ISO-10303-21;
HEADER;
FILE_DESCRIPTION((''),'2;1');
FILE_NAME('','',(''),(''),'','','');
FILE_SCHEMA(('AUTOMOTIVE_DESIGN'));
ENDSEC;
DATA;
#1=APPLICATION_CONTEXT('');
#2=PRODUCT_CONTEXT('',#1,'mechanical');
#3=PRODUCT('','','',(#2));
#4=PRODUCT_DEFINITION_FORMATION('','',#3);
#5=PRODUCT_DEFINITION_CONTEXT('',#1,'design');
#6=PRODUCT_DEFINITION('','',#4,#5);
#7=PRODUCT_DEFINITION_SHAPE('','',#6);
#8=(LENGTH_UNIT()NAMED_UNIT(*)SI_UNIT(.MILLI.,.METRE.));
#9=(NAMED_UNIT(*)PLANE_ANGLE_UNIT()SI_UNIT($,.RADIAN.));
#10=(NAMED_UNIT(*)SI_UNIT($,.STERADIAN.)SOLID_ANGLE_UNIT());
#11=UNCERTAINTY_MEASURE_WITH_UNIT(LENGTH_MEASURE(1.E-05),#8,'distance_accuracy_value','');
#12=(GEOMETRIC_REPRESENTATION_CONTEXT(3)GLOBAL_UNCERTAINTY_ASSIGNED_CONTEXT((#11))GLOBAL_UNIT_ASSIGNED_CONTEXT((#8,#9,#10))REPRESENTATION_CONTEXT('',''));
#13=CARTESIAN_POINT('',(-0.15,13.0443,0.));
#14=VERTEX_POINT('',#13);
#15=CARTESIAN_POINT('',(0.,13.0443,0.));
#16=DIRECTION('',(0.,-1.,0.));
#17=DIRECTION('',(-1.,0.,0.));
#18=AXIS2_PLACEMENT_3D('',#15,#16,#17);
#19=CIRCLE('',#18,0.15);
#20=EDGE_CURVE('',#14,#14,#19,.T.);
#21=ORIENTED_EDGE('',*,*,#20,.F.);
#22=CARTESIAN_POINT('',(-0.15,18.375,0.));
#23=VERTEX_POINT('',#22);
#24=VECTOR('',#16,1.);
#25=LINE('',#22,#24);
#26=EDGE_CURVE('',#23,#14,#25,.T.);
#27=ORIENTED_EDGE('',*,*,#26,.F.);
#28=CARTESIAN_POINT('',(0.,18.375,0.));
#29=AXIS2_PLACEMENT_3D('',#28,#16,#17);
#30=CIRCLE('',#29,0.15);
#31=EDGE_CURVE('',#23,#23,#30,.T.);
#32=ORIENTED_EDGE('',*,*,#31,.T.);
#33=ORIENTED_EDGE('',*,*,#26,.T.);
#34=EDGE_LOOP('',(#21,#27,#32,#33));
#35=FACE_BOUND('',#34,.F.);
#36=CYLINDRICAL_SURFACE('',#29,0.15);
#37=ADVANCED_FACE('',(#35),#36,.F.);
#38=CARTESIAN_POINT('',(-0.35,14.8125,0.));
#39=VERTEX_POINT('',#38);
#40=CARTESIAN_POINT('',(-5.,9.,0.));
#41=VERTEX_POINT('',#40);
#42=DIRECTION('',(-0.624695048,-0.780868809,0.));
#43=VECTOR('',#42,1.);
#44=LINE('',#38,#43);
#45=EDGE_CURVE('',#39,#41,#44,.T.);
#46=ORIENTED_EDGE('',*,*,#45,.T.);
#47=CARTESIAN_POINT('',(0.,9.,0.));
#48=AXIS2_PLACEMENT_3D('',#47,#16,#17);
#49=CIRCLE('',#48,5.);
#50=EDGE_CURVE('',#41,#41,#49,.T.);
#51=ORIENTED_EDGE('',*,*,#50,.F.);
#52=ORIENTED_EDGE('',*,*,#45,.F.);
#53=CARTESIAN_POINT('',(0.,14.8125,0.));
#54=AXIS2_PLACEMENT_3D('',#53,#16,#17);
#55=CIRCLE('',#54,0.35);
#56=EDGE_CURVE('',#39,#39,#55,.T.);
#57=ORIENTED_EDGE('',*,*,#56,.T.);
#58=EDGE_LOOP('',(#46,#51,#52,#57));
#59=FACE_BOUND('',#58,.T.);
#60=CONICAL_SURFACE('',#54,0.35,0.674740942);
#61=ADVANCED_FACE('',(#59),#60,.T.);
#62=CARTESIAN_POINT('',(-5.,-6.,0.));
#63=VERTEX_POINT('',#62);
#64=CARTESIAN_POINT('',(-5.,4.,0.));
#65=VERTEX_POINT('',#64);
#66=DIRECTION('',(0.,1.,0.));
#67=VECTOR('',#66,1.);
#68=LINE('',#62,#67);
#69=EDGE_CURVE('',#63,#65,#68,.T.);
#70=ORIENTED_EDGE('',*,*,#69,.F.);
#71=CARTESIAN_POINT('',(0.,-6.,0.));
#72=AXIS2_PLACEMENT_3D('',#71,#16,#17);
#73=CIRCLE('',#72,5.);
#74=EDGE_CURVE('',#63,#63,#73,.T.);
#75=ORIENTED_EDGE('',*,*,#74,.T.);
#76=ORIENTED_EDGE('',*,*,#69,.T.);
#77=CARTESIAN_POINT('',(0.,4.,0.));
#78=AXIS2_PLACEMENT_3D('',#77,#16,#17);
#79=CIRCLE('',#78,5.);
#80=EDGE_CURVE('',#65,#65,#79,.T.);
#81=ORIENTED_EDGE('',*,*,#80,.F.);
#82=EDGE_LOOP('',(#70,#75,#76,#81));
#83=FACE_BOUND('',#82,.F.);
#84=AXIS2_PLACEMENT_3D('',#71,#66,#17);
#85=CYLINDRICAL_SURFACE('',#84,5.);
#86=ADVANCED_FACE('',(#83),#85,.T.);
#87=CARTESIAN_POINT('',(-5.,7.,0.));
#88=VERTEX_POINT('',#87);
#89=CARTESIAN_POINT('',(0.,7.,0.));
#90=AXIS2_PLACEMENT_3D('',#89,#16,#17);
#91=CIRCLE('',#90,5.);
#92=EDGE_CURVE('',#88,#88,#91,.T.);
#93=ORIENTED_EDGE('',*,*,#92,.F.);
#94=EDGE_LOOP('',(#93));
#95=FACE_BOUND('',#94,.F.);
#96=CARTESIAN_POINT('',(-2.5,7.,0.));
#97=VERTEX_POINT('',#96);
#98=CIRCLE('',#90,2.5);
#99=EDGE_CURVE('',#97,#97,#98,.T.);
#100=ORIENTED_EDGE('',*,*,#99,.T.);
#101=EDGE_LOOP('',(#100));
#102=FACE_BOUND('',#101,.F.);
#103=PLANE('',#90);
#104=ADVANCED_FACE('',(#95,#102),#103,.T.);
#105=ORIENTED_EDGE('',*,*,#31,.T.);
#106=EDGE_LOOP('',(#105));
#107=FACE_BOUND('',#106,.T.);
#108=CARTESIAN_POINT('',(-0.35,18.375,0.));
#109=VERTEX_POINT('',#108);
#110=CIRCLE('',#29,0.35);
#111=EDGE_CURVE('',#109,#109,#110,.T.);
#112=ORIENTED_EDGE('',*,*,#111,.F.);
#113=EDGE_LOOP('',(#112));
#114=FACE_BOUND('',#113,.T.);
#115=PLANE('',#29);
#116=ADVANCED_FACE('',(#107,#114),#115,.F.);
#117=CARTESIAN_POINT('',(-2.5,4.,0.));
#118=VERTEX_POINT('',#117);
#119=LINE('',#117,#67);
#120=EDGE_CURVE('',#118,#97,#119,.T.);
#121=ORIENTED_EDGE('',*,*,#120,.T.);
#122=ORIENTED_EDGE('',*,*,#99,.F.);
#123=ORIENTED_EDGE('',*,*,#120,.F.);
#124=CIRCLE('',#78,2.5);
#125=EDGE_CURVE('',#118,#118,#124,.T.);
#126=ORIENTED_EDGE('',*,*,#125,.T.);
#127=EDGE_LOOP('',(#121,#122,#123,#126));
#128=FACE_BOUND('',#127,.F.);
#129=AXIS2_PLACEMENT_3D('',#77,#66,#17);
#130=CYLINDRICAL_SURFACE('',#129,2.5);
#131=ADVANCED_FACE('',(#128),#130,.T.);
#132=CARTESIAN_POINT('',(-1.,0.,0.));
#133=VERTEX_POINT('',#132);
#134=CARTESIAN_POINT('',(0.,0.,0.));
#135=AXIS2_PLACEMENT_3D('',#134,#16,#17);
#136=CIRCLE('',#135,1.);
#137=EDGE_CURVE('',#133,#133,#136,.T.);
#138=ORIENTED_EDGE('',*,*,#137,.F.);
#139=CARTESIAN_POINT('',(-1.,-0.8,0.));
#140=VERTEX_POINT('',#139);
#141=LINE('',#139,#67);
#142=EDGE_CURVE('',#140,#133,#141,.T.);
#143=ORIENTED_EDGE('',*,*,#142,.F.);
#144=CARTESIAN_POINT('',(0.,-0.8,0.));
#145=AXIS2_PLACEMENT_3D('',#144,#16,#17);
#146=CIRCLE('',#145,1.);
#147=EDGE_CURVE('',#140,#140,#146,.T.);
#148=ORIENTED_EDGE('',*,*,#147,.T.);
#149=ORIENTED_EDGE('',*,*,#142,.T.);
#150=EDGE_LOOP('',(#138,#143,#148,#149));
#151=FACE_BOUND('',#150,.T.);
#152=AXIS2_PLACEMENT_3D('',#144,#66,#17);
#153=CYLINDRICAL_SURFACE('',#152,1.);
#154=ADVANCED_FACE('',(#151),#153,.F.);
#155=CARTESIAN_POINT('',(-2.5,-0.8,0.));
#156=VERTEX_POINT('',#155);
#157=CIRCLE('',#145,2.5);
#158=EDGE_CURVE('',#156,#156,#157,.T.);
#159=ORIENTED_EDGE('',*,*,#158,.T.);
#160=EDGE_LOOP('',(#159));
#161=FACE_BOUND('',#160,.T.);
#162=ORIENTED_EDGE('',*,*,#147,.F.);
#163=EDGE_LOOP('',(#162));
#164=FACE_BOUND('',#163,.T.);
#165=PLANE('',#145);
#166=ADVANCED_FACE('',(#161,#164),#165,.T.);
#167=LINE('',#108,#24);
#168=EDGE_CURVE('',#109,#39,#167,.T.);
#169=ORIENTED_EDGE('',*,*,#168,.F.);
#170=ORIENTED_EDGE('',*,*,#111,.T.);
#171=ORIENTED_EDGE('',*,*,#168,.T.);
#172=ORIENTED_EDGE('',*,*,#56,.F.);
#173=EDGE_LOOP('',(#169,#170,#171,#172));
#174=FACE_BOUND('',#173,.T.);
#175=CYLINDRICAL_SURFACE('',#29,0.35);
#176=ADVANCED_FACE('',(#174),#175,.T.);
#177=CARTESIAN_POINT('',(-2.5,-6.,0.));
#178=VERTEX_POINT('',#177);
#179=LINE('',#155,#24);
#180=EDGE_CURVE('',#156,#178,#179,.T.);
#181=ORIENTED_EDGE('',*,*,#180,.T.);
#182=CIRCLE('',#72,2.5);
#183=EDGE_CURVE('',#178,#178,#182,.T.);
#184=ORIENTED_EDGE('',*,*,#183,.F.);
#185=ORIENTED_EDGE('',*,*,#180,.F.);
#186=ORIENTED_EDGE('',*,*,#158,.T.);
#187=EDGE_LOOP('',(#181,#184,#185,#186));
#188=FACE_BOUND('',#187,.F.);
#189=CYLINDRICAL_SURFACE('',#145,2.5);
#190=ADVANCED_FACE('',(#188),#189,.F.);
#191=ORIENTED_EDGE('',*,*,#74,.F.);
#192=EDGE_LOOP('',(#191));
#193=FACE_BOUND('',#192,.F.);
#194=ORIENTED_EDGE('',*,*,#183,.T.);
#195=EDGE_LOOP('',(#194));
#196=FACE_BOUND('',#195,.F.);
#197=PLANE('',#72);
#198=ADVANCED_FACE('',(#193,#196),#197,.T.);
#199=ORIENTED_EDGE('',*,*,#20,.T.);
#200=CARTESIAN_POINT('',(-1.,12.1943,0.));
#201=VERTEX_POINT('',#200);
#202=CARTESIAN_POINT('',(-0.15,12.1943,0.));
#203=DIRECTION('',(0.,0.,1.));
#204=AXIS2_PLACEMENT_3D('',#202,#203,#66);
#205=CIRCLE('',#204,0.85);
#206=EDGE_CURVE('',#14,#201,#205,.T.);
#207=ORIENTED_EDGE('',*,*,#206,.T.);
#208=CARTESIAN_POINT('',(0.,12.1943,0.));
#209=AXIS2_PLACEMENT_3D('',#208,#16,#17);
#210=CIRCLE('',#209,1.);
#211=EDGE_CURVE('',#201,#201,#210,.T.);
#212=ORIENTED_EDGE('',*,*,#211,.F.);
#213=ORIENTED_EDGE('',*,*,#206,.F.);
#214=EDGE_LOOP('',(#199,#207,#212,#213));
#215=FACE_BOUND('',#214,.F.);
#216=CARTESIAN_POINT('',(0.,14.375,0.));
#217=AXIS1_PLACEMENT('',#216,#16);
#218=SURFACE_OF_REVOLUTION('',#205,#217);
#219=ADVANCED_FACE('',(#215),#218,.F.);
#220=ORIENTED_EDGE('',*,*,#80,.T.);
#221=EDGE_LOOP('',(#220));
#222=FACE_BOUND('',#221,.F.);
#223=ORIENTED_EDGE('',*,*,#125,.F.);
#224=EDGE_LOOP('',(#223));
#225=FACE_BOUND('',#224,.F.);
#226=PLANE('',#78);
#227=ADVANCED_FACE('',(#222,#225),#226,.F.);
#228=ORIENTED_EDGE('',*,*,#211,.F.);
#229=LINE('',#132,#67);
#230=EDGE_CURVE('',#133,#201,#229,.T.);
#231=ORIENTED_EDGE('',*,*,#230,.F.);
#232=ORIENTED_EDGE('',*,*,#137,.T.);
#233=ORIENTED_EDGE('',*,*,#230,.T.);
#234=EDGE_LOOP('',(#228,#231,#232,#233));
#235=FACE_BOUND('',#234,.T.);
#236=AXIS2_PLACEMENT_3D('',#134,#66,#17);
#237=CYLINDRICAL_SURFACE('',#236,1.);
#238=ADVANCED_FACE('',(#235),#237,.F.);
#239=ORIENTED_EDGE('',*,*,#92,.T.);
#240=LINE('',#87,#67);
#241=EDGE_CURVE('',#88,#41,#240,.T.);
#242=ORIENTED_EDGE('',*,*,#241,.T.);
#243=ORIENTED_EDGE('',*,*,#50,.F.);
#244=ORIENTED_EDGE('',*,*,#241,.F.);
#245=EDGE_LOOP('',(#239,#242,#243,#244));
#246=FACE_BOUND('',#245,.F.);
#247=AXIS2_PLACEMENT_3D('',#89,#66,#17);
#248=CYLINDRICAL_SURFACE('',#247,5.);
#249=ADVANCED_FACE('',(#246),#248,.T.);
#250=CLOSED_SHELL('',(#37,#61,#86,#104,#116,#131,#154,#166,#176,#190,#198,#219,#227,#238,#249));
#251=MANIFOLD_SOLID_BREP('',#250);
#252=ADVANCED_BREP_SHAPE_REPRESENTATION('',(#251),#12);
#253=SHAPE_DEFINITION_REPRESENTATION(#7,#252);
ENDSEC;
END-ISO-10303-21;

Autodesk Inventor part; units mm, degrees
ref_plane "YZ Plane" through (0, 0, 0) normal (1, 0, 0) x (0, 1, 0)
ref_plane "XZ Plane" through (0, 0, 0) normal (0, 1, 0) x (-1, 0, 0)
ref_plane "XY Plane" through (0, 0, 0) normal (0, 0, 1) x (1, 0, 0)
sketch "Sketch1" plane through (0, 0, 0) normal (0, 0, 1) x (1, 0, 0)
  line L0 (-2.5, -0.8) -> (-2.5, -6)
  line L1 (-2.5, -6) -> (-5, -6)
  line L2 (-5, -6) -> (-5, 4)
  line L3 (-5, 4) -> (-2.5, 4)
  line L4 (-2.5, 4) -> (-2.5, 7)
  line L5 (-2.5, 7) -> (-5, 7)
  line L6 (-5, 7) -> (-5, 9)
  line L7 (-0.35, 14.8125) -> (-5, 9)
  line L8 (0, 14.375) -> (0, 0)
  line L9 (0, 14.375) -> (0, 18.375)
  line L10 (-0.15, 18.375) -> (-0.35, 18.375)
  line L11 (-0.35, 18.375) -> (-0.35, 14.8125)
  line L12 (-1, 0) -> (-1, 12.1943)
  line L13 (-0.15, 18.375) -> (-0.15, 13.0443)
  arc A0 (-0.15, 13.0443) -> (-1, 12.1943) centre (-0.15, 12.1943) ccw
  line L14 (-2.5, -0.8) -> (-1, -0.8)
  line L15 (-1, -0.8) -> (-1, 0)
  point P0 (-1, 14)
  point P1 (-0.7, 14.375)
  dimension "d2" = 2.5
  dimension "d3" = 10
  dimension "d4" = 2.5
  dimension "d5" = 3
  dimension "d7" = 2
  dimension "d54" = 24.375
  dimension "d55" = 3.5625
  dimension "d56" = 2.5
  dimension "d57" = 1
  dimension "d58" = 5.8125
  dimension "d59" = 0.35
  dimension "d60" = 0.15
  dimension "d61" = 5.2
  dimension "d62" = 13.8443
revolve "Revolution1" add sketch "Sketch1" angle 360 about axis through (0, 14.375, 0) along (0, -1, 0)
ref_plane "Work Plane1" through (0, -3.25, 0) normal (0, -1, 0) x (1, 0, 0)
sketch "Sketch2" plane through (0, -3.25, 0) normal (0, -1, 0) x (1, 0, 0)
  point P0 (0, 0)
properties part number "Nozzle"
